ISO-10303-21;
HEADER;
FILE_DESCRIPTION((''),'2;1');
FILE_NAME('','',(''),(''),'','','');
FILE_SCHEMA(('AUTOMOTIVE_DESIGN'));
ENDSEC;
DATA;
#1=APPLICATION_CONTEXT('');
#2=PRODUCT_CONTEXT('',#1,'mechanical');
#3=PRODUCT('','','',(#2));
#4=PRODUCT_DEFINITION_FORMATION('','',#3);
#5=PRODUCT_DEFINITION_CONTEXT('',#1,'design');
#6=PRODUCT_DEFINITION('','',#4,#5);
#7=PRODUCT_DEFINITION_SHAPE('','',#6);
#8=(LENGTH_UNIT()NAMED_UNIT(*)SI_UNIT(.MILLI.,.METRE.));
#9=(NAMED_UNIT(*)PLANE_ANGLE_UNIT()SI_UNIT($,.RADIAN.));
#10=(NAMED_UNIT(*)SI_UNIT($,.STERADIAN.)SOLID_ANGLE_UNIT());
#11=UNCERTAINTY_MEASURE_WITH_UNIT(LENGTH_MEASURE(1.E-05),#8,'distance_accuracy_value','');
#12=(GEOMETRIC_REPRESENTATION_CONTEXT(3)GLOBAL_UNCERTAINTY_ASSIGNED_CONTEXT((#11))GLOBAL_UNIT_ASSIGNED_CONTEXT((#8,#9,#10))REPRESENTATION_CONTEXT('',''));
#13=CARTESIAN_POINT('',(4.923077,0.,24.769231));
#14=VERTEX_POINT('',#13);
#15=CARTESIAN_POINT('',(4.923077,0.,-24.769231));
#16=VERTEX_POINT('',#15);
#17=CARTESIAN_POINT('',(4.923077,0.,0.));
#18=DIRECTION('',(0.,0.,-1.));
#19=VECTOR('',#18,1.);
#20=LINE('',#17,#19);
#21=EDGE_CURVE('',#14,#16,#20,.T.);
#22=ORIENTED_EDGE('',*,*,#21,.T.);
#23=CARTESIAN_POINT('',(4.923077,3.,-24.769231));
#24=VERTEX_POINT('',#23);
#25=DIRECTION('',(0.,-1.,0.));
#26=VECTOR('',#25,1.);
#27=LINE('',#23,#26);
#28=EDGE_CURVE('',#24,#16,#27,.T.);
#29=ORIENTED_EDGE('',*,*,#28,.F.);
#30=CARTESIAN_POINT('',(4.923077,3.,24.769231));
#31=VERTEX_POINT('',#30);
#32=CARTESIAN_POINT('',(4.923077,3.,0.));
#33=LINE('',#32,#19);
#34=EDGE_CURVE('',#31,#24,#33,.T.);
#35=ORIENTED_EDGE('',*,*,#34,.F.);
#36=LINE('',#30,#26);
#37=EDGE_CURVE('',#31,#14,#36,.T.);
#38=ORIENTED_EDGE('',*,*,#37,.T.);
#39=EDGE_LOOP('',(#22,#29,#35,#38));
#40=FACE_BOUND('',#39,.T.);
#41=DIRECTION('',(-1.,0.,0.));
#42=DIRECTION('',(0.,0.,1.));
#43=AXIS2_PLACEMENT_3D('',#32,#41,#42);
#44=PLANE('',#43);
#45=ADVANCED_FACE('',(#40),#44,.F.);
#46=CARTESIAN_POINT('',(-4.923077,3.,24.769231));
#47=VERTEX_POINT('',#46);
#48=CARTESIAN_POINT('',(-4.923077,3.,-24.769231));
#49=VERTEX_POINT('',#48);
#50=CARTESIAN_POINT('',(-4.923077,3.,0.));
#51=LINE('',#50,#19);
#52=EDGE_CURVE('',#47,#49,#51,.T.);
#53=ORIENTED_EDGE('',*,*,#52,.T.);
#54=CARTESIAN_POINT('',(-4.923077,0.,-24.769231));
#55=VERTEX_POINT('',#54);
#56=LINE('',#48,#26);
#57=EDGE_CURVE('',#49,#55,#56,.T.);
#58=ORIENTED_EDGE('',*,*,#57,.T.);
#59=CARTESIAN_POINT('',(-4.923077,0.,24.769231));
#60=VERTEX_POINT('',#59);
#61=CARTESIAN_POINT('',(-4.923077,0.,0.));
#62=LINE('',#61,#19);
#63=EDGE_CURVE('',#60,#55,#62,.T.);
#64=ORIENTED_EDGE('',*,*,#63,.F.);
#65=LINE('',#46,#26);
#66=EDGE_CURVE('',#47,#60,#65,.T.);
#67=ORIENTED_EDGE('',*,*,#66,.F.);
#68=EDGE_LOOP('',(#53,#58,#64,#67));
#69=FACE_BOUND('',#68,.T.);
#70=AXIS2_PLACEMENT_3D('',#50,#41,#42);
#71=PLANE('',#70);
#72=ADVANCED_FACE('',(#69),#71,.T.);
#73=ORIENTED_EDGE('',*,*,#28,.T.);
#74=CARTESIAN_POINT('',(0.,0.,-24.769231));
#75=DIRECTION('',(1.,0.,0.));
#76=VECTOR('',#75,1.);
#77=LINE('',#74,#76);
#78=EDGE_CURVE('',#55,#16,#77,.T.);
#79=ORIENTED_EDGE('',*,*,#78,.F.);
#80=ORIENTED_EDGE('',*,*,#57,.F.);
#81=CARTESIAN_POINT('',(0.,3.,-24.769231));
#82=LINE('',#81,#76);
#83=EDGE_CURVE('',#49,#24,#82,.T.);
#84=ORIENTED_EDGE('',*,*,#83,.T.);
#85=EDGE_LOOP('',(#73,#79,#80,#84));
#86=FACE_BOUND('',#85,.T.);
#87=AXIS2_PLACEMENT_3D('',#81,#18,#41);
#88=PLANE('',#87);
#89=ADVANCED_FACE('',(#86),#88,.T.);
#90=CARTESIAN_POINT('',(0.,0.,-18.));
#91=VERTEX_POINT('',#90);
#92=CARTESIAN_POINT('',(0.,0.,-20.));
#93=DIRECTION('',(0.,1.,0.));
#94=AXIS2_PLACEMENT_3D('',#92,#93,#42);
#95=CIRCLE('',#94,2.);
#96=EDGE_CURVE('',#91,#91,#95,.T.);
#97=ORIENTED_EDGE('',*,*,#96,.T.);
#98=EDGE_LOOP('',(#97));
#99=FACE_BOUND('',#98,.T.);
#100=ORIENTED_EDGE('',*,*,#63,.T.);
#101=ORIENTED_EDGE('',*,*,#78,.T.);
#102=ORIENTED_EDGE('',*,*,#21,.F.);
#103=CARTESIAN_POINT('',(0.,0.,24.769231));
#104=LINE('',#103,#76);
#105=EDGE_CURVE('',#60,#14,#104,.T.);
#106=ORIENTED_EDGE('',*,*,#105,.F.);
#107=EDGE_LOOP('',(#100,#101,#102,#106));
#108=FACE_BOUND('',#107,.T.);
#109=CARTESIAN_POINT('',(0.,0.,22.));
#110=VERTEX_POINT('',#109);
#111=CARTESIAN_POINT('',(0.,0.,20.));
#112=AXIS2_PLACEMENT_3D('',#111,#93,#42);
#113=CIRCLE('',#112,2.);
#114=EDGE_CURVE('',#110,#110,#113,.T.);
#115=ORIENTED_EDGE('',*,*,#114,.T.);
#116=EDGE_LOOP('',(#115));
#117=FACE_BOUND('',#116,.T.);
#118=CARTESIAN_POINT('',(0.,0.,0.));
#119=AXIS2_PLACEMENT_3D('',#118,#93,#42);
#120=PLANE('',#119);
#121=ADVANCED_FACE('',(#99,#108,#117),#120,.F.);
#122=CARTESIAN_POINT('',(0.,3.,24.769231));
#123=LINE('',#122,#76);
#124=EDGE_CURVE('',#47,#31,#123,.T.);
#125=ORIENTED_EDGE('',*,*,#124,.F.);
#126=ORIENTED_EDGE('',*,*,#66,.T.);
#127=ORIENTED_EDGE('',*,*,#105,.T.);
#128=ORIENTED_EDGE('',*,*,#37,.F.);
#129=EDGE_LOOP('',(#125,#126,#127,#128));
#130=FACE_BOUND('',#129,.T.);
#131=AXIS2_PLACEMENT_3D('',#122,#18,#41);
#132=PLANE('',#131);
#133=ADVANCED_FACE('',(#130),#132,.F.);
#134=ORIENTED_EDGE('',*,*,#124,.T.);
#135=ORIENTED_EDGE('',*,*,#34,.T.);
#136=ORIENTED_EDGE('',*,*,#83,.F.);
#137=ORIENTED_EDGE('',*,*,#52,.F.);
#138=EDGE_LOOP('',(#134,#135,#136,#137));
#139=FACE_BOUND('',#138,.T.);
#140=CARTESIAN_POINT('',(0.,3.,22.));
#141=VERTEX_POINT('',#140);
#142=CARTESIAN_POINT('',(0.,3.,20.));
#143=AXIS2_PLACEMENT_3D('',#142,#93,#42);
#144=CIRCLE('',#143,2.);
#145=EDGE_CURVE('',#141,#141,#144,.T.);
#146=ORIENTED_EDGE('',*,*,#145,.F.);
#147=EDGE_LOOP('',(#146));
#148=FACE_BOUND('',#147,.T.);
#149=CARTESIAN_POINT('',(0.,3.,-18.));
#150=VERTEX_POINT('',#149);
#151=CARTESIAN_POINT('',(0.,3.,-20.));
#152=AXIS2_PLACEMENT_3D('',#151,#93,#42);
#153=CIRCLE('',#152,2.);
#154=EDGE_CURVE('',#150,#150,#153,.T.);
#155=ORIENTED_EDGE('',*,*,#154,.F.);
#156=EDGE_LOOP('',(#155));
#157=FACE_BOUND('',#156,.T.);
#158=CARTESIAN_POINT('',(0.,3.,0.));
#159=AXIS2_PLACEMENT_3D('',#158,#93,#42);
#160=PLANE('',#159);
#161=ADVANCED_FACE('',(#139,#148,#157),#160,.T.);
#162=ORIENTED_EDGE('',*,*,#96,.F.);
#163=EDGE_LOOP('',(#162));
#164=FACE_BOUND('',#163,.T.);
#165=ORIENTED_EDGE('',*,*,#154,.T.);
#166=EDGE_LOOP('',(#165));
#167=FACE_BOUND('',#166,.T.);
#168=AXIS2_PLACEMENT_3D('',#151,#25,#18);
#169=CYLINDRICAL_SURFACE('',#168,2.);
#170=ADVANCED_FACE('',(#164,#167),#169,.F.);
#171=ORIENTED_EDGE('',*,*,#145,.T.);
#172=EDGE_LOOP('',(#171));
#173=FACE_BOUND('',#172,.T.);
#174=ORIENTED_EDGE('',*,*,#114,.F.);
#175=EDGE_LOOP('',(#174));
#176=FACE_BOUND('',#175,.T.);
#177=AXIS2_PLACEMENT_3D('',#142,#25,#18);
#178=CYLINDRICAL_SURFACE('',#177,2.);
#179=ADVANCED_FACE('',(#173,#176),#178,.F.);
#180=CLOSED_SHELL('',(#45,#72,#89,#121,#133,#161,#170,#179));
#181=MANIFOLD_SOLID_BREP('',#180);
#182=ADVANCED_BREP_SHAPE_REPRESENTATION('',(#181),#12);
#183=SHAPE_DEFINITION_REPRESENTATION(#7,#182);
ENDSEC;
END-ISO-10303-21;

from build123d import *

# Parameters (mm, degrees)
SKETCH1_W           = 9.846153846
SKETCH1_H           = 49.538461538
SKETCH1_R           = 2
BOSS_EXTRUDE1_DEPTH = 3


with BuildPart() as part:
    # Sketch1 → Boss-Extrude1 (new body)
    with BuildSketch(Plane(origin=(0, 0, 0), x_dir=(1, 0, 0), z_dir=(0, 1, 0))):
        Rectangle(SKETCH1_W, SKETCH1_H)
        with Locations(Location((0, 20, 0), (0, 0, 270))):
            Circle(SKETCH1_R, mode=Mode.SUBTRACT)
        with Locations(Location((0, -20, 0), (0, 0, 270))):
            Circle(SKETCH1_R, mode=Mode.SUBTRACT)
    extrude(amount=BOSS_EXTRUDE1_DEPTH)


solid = part.part
